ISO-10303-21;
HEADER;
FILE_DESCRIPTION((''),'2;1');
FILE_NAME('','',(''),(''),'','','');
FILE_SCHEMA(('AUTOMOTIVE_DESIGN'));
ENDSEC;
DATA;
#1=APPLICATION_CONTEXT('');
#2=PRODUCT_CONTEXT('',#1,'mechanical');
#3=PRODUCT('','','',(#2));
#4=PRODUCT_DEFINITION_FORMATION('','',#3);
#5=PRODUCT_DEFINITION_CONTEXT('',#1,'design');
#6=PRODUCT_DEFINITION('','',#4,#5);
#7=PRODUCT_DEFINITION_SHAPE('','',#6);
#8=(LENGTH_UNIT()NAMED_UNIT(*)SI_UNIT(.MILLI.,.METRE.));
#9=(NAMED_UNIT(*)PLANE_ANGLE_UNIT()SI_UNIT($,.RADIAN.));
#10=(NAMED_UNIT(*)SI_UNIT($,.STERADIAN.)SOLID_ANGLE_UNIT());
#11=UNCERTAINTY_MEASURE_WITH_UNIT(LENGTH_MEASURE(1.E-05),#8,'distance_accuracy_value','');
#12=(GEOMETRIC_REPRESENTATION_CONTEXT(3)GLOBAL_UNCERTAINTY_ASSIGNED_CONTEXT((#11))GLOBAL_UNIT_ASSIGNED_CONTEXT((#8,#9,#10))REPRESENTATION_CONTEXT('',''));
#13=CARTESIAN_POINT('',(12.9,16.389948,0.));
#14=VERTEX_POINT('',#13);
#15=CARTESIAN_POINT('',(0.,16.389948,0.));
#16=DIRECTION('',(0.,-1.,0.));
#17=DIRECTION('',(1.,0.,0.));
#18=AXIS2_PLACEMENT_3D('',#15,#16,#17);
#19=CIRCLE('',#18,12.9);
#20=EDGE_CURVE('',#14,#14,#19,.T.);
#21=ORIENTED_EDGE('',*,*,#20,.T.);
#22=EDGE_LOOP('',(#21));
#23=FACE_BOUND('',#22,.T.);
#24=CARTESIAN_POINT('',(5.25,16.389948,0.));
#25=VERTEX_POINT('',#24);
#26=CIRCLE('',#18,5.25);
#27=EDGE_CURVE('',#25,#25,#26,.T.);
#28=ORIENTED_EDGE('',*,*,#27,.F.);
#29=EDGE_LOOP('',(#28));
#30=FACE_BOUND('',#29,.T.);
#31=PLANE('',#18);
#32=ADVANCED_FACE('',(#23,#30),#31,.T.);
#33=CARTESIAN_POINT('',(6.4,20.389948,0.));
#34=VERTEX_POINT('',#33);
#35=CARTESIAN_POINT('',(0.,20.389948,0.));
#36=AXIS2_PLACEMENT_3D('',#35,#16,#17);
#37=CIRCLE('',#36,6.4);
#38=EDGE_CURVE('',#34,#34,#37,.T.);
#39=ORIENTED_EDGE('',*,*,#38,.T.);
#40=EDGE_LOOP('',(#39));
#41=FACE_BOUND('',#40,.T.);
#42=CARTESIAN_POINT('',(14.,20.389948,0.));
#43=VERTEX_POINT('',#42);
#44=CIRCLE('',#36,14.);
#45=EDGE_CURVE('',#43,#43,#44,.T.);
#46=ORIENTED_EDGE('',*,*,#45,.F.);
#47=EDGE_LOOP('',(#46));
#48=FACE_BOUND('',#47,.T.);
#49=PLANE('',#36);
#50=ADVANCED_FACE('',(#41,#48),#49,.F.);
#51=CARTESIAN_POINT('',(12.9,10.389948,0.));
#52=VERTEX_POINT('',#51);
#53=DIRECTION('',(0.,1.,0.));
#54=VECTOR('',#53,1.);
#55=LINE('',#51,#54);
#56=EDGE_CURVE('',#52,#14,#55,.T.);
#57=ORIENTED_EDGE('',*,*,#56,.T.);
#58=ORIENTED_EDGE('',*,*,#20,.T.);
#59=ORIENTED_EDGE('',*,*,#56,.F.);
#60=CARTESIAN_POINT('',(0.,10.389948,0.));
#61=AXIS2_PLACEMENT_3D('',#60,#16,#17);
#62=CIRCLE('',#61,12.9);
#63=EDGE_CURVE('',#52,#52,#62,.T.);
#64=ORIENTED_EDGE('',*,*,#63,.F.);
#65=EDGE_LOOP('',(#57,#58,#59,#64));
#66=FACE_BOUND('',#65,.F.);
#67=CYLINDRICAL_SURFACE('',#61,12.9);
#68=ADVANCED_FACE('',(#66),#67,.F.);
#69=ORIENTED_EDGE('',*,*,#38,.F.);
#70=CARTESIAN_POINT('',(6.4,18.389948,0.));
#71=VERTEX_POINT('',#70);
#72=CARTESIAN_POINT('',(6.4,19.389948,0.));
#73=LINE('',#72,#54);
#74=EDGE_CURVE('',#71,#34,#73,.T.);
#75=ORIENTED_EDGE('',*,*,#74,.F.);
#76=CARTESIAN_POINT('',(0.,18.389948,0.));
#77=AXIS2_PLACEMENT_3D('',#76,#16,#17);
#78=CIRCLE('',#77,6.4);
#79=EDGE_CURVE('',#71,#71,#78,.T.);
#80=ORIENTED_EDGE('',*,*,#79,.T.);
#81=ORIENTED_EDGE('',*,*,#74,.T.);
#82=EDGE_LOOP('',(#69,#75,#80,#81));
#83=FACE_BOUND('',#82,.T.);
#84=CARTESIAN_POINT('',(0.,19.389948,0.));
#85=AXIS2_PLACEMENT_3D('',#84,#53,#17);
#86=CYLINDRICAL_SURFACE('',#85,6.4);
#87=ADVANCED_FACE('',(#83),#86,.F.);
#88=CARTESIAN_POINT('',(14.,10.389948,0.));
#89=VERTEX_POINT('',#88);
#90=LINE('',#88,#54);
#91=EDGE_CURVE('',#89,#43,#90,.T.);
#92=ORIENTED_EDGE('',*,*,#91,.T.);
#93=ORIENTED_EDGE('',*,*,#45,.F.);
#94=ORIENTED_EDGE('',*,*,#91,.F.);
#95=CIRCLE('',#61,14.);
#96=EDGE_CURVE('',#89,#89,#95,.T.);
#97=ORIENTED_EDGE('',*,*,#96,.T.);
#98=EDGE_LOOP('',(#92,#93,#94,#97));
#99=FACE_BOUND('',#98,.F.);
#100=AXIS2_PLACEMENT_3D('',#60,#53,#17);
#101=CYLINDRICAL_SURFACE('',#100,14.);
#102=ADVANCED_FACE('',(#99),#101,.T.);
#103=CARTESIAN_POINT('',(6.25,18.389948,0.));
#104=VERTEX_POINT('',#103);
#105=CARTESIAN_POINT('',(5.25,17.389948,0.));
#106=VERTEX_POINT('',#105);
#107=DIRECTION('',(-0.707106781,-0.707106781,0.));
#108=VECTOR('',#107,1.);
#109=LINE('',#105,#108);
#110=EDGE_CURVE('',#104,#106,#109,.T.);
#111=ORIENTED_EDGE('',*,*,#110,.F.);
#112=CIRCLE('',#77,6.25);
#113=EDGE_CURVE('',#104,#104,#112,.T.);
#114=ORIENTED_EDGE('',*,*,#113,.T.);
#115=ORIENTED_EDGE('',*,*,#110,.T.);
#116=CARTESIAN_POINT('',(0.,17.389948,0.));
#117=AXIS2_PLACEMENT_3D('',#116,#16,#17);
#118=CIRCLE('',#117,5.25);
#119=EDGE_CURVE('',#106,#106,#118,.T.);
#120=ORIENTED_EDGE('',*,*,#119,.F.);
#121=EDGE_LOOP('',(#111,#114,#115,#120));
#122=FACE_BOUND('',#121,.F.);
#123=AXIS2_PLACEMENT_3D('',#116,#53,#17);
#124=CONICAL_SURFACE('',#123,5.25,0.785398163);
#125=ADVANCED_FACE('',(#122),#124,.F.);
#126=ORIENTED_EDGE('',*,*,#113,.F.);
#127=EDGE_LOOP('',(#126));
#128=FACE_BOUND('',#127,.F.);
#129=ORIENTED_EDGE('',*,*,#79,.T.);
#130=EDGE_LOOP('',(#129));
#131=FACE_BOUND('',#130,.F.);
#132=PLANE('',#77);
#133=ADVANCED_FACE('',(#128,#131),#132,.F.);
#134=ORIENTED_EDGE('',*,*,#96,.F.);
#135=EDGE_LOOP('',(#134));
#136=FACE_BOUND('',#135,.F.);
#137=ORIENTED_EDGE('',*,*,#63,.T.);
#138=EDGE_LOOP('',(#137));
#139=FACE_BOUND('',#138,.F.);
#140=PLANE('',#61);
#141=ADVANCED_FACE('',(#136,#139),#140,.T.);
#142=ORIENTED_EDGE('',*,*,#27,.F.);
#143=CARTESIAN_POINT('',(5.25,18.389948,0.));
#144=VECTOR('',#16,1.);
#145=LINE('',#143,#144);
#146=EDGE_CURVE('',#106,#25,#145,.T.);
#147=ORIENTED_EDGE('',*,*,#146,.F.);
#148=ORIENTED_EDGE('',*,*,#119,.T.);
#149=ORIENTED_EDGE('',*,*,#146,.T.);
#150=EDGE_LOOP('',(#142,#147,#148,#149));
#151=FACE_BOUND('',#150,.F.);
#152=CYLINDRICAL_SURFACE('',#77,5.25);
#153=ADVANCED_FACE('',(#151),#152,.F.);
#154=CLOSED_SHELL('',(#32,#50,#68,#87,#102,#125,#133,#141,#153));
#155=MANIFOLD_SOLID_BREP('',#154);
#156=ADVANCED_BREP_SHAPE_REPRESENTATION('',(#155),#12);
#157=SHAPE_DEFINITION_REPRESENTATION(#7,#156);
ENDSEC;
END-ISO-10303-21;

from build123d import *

# Parameters (mm, degrees)
F1_W     = 7.6
F1_H     = 2
F3_R     = 12.9
F3_R_2   = 5.25
F4_DEPTH = 6
F5_SIZE  = 1


with BuildPart() as f2:
    # F1 (on Top) → F2 (revolve)
    with BuildSketch(Plane.XY):
        with Locations((10.2, 19.389948)):
            Rectangle(F1_W, F1_H)
        Polygon((5.25, 18.389948), (5.25, 10.389948), (14, 10.389948), (14, 18.389948), (6.4, 18.389948), align=None)
    revolve(axis=Axis((0, 1.251986, 0), (0, -1, 0)))

    # F3 (on face) → F4 (cut)
    with BuildSketch(Plane.XZ.offset(-10.389948)):
        Circle(F3_R)
        Circle(F3_R_2, mode=Mode.SUBTRACT)
    extrude(amount=-F4_DEPTH, mode=Mode.SUBTRACT)

    # F5
    f5_edges = [f2.edges().sort_by_distance(p)[0] for p in [
        (-5.25, 18.389948, 0),
    ]]
    chamfer(f5_edges, length=F5_SIZE)


solid = f2.part
